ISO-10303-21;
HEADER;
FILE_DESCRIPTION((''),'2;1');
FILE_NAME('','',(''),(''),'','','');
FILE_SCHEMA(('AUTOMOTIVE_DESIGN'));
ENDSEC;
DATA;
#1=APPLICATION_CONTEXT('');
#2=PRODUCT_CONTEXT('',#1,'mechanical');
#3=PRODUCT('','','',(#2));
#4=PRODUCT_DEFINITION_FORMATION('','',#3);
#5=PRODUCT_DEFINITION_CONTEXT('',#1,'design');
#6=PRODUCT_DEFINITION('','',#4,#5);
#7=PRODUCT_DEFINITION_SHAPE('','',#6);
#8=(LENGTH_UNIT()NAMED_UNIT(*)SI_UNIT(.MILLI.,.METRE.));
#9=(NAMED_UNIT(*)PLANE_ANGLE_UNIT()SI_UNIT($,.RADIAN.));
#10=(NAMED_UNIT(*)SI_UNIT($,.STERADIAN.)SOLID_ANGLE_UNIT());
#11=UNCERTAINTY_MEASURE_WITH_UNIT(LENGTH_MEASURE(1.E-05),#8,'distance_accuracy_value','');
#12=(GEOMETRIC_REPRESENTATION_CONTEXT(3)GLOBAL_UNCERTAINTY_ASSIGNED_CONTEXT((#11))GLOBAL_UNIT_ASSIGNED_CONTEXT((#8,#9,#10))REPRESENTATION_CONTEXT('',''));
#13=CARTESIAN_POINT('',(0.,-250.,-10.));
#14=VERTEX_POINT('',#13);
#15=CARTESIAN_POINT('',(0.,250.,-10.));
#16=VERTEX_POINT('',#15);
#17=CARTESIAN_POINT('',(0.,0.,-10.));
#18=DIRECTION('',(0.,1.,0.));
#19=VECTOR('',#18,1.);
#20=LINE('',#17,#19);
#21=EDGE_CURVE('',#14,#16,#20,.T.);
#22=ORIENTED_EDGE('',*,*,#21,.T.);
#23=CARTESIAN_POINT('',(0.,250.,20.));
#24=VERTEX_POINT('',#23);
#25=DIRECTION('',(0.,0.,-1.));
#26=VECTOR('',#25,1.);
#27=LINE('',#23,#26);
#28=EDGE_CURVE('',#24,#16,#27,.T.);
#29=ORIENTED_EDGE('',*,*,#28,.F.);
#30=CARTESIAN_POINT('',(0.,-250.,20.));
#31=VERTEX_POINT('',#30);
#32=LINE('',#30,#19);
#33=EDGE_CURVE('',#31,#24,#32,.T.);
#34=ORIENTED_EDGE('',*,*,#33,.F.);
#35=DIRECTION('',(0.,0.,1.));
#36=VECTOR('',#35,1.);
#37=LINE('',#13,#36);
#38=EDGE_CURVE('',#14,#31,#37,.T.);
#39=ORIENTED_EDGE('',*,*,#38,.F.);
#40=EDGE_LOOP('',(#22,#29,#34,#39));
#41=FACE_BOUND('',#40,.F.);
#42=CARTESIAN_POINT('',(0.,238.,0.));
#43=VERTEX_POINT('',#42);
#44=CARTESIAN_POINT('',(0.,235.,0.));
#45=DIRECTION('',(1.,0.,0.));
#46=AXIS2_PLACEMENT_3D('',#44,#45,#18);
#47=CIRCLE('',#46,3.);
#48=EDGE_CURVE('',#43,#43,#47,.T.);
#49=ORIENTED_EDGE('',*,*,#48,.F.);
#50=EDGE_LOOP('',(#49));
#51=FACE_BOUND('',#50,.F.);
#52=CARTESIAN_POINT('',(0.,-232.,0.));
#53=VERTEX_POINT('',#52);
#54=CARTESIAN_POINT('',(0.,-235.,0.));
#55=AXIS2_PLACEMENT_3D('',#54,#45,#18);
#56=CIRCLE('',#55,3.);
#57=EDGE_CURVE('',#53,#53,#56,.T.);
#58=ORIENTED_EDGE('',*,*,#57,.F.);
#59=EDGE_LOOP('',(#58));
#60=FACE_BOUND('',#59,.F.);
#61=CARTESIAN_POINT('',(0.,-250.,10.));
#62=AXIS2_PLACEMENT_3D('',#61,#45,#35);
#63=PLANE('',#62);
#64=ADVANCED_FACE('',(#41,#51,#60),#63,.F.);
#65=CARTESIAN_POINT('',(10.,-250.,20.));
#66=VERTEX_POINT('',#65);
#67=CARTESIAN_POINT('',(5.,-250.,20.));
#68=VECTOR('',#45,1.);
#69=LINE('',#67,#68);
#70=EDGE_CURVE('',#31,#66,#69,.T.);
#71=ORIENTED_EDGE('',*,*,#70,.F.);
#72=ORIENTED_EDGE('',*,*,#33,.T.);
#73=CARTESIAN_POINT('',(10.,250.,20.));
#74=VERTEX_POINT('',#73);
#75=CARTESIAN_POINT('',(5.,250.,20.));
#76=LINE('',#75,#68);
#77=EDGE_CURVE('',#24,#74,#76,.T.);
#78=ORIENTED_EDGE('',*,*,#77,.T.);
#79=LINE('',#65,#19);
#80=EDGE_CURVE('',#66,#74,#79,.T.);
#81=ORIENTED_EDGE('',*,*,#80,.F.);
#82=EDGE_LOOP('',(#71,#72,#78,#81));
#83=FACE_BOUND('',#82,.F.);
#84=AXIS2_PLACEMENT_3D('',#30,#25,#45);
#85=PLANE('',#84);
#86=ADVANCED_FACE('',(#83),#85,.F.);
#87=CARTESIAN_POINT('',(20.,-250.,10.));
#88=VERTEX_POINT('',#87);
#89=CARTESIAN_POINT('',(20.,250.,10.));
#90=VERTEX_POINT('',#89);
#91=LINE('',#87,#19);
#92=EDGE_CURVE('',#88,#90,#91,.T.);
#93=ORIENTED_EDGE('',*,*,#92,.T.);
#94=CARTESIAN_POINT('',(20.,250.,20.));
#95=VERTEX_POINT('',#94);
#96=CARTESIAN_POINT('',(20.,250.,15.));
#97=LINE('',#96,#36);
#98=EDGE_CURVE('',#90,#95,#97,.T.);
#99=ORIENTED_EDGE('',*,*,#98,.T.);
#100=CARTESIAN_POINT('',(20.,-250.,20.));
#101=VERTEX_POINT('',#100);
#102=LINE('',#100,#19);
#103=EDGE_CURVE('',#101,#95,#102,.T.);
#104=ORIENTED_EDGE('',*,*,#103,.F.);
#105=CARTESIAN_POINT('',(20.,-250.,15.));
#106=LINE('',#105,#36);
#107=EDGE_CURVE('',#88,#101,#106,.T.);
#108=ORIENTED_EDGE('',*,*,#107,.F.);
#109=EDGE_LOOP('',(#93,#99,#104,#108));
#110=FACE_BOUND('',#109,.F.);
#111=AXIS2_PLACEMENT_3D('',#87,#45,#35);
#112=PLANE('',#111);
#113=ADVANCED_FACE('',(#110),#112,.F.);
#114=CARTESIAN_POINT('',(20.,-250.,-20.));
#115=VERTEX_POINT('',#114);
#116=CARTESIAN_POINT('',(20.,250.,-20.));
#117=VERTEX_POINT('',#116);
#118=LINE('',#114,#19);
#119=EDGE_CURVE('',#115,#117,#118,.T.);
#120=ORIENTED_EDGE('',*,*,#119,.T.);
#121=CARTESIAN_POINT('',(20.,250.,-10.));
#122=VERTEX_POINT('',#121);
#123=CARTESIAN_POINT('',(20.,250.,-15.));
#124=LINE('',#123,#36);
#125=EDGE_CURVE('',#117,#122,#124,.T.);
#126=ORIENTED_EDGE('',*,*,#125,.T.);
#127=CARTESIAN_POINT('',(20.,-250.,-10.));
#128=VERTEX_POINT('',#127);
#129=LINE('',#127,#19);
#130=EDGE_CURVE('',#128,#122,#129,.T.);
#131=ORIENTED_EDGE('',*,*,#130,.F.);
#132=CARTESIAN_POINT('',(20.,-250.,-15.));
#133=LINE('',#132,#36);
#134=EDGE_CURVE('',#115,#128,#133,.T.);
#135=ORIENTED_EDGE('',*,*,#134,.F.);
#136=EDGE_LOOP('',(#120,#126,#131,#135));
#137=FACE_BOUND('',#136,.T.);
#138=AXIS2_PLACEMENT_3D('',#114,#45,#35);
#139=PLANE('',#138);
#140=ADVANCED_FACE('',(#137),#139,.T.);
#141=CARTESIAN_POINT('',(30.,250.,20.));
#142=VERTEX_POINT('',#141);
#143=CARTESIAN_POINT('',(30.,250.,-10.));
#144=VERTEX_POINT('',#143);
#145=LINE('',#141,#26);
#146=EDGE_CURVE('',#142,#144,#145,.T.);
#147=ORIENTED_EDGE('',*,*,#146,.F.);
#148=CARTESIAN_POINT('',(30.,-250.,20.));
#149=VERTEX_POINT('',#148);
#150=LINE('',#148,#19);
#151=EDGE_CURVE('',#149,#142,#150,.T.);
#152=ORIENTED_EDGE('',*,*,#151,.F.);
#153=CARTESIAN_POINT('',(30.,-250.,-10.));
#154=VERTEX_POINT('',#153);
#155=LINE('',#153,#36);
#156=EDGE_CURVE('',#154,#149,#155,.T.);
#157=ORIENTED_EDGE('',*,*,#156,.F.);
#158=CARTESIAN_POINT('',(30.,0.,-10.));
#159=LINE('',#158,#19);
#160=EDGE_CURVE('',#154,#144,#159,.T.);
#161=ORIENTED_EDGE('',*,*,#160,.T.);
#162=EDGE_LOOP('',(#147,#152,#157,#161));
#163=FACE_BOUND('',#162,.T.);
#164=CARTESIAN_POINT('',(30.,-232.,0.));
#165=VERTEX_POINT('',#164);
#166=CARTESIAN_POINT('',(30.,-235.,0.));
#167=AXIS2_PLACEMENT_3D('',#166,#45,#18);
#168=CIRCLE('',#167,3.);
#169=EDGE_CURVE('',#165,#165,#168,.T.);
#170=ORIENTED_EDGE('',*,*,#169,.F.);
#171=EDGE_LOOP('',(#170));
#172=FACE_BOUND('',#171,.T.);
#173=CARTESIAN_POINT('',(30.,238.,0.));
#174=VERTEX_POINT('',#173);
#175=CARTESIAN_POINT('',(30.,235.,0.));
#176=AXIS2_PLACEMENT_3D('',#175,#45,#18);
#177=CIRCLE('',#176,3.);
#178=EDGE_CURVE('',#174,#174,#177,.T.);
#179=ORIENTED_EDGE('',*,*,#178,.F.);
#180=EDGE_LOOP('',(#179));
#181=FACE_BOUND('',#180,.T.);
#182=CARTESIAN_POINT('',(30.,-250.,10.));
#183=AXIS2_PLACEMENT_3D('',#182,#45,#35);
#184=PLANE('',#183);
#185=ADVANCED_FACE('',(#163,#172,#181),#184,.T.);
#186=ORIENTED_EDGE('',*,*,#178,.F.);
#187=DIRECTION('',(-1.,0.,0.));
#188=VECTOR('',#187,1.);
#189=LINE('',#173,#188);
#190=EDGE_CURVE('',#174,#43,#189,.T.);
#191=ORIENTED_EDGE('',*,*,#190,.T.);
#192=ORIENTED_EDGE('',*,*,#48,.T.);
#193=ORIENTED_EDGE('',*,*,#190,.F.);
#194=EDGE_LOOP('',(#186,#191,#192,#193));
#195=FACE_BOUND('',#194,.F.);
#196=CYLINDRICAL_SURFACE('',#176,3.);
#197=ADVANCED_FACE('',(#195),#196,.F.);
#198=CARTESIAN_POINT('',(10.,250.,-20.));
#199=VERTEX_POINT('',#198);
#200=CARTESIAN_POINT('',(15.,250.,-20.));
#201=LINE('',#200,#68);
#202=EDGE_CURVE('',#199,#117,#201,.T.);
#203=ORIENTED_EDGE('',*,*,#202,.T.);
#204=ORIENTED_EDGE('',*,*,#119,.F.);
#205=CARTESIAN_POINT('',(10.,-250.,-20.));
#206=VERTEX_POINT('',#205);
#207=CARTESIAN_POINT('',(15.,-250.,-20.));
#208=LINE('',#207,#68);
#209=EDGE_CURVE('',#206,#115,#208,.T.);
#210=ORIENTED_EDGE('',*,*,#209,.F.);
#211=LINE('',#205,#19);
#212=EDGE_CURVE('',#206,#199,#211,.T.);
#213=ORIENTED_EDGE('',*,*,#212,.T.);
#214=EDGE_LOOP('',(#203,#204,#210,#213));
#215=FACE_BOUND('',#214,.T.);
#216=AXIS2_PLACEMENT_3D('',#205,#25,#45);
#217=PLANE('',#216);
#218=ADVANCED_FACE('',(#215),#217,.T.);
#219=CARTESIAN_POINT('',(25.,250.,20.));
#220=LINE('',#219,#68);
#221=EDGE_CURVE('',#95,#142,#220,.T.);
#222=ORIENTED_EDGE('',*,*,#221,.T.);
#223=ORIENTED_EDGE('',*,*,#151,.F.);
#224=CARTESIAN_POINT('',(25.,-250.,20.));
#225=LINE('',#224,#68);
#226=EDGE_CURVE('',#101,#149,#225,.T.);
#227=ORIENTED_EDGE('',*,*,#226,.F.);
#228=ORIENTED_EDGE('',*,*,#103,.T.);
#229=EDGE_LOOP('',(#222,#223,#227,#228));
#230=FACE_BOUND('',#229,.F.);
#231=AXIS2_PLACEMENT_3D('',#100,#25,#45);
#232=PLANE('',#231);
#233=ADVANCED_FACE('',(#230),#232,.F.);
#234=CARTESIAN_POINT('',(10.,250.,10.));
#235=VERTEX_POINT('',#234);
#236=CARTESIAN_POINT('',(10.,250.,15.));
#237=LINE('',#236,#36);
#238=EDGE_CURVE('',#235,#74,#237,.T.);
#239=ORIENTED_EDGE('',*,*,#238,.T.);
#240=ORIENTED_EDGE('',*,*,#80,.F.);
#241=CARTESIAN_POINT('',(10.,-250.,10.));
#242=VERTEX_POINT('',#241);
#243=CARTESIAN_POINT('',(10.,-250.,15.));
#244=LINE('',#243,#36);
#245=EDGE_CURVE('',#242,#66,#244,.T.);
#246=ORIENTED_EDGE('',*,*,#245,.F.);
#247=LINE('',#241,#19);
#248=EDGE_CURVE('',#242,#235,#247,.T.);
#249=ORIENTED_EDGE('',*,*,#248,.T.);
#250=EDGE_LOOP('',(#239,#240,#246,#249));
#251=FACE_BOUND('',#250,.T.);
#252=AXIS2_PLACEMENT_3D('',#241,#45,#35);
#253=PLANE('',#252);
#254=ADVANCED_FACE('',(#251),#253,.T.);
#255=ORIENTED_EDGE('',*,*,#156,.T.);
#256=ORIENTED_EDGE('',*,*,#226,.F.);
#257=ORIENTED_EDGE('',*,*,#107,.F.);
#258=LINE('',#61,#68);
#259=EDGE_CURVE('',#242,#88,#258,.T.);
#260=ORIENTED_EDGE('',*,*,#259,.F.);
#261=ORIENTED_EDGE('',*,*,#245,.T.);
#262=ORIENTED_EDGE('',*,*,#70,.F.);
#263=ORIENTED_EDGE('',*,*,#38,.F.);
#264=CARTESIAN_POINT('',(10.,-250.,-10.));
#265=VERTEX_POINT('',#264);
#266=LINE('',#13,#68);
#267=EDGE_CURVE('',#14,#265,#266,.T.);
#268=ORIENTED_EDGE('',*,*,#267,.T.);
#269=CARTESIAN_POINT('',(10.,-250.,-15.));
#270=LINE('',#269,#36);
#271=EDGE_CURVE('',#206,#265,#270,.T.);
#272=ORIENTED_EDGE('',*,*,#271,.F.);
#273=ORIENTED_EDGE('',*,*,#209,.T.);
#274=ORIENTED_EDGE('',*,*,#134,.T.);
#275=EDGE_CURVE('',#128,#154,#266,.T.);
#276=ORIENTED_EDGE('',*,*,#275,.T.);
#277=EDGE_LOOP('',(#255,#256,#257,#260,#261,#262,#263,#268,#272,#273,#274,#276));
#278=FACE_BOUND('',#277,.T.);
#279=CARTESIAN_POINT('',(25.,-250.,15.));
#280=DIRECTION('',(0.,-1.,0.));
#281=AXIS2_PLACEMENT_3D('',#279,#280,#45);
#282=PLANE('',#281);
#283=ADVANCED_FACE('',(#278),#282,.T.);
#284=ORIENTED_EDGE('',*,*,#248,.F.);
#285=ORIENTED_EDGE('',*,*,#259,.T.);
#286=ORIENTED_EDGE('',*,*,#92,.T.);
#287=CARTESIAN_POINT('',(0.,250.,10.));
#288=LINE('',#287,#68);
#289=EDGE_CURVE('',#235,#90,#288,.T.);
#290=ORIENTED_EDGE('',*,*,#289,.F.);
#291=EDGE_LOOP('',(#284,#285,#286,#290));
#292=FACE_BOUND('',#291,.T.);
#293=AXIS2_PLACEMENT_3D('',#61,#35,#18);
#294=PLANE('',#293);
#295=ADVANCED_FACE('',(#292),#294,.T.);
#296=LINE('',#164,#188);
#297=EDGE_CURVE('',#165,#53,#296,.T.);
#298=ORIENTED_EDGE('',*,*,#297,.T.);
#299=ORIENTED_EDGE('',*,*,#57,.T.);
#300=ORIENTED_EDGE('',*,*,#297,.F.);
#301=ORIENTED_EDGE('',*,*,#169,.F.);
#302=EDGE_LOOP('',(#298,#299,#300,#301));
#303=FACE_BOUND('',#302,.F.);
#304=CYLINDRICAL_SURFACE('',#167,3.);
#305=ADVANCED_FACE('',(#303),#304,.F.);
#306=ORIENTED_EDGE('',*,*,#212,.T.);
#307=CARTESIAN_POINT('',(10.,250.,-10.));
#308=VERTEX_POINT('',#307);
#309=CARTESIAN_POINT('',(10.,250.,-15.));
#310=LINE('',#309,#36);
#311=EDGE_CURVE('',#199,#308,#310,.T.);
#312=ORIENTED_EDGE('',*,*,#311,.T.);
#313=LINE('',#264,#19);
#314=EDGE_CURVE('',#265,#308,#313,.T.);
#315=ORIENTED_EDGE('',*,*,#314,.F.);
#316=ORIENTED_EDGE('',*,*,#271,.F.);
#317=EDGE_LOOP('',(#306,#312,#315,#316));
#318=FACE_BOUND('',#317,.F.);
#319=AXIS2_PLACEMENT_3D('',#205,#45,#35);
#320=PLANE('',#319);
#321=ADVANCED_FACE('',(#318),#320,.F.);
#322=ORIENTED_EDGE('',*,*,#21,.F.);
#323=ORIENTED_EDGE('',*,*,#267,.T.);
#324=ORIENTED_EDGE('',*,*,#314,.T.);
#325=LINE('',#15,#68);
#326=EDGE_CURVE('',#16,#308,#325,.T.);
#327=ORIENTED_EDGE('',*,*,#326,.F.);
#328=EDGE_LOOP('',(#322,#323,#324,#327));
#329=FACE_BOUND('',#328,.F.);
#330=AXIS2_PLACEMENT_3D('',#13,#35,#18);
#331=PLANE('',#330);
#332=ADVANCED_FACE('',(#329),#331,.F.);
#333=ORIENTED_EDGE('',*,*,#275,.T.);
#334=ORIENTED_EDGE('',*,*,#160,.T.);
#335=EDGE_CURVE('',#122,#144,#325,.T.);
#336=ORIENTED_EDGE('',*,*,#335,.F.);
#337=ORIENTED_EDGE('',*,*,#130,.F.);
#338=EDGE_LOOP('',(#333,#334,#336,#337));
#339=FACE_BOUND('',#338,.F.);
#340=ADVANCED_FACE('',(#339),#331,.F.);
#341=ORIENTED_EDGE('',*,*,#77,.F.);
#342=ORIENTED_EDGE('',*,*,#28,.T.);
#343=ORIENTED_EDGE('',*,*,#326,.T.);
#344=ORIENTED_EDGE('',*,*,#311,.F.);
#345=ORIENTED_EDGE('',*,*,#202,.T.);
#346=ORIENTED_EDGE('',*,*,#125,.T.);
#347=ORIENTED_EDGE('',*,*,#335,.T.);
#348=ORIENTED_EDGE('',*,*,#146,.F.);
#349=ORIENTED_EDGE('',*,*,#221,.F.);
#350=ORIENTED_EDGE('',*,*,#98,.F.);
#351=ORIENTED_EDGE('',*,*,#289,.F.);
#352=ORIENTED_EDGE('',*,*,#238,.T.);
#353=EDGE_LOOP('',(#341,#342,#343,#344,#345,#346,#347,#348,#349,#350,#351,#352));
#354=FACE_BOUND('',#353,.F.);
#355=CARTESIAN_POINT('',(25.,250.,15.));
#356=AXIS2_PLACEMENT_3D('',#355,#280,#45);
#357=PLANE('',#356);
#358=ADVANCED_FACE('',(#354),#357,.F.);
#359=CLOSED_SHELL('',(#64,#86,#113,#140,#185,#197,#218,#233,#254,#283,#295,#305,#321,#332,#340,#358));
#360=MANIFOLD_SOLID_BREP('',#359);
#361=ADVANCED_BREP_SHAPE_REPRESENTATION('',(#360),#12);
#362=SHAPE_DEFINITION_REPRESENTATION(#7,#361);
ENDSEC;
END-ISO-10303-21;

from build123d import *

# Parameters (mm, degrees)
F0_W     = 500
F0_H     = 20
F1_DEPTH = 30
F2_W     = 10
F2_H     = 10
F3_DEPTH = 500
F4_W     = 10
F4_H     = 10
F5_DEPTH = 500
F6_W     = 10
F6_H     = 10
F7_DEPTH = 500
F8_R     = 3
F9_DEPTH = 30


with BuildPart() as f1:
    # F0 (on Right) → F1 (new body)
    with BuildSketch(Plane.YZ):
        Rectangle(F0_W, F0_H)
    extrude(amount=F1_DEPTH)

    # F2 (on face) → F3 (join)
    with BuildSketch(Plane.XZ.offset(250)):
        with Locations((5, 15)):
            Rectangle(F2_W, F2_H)
    extrude(amount=-F3_DEPTH)

    # F4 (on face) → F5 (join)
    with BuildSketch(Plane.XZ.offset(250)):
        with Locations((25, 15)):
            Rectangle(F4_W, F4_H)
    extrude(amount=-F5_DEPTH)

    # F6 (on face) → F7 (join)
    with BuildSketch(Plane.XZ.offset(250)):
        with Locations((15, -15)):
            Rectangle(F6_W, F6_H)
    extrude(amount=-F7_DEPTH)

    # F8 (on face) → F9 (cut)
    with BuildSketch(Plane.YZ.offset(30)):
        with Locations((-235, 0)):
            Circle(F8_R)
        with Locations((235, 0)):
            Circle(F8_R)
    extrude(amount=-F9_DEPTH, mode=Mode.SUBTRACT)


solid = f1.part
